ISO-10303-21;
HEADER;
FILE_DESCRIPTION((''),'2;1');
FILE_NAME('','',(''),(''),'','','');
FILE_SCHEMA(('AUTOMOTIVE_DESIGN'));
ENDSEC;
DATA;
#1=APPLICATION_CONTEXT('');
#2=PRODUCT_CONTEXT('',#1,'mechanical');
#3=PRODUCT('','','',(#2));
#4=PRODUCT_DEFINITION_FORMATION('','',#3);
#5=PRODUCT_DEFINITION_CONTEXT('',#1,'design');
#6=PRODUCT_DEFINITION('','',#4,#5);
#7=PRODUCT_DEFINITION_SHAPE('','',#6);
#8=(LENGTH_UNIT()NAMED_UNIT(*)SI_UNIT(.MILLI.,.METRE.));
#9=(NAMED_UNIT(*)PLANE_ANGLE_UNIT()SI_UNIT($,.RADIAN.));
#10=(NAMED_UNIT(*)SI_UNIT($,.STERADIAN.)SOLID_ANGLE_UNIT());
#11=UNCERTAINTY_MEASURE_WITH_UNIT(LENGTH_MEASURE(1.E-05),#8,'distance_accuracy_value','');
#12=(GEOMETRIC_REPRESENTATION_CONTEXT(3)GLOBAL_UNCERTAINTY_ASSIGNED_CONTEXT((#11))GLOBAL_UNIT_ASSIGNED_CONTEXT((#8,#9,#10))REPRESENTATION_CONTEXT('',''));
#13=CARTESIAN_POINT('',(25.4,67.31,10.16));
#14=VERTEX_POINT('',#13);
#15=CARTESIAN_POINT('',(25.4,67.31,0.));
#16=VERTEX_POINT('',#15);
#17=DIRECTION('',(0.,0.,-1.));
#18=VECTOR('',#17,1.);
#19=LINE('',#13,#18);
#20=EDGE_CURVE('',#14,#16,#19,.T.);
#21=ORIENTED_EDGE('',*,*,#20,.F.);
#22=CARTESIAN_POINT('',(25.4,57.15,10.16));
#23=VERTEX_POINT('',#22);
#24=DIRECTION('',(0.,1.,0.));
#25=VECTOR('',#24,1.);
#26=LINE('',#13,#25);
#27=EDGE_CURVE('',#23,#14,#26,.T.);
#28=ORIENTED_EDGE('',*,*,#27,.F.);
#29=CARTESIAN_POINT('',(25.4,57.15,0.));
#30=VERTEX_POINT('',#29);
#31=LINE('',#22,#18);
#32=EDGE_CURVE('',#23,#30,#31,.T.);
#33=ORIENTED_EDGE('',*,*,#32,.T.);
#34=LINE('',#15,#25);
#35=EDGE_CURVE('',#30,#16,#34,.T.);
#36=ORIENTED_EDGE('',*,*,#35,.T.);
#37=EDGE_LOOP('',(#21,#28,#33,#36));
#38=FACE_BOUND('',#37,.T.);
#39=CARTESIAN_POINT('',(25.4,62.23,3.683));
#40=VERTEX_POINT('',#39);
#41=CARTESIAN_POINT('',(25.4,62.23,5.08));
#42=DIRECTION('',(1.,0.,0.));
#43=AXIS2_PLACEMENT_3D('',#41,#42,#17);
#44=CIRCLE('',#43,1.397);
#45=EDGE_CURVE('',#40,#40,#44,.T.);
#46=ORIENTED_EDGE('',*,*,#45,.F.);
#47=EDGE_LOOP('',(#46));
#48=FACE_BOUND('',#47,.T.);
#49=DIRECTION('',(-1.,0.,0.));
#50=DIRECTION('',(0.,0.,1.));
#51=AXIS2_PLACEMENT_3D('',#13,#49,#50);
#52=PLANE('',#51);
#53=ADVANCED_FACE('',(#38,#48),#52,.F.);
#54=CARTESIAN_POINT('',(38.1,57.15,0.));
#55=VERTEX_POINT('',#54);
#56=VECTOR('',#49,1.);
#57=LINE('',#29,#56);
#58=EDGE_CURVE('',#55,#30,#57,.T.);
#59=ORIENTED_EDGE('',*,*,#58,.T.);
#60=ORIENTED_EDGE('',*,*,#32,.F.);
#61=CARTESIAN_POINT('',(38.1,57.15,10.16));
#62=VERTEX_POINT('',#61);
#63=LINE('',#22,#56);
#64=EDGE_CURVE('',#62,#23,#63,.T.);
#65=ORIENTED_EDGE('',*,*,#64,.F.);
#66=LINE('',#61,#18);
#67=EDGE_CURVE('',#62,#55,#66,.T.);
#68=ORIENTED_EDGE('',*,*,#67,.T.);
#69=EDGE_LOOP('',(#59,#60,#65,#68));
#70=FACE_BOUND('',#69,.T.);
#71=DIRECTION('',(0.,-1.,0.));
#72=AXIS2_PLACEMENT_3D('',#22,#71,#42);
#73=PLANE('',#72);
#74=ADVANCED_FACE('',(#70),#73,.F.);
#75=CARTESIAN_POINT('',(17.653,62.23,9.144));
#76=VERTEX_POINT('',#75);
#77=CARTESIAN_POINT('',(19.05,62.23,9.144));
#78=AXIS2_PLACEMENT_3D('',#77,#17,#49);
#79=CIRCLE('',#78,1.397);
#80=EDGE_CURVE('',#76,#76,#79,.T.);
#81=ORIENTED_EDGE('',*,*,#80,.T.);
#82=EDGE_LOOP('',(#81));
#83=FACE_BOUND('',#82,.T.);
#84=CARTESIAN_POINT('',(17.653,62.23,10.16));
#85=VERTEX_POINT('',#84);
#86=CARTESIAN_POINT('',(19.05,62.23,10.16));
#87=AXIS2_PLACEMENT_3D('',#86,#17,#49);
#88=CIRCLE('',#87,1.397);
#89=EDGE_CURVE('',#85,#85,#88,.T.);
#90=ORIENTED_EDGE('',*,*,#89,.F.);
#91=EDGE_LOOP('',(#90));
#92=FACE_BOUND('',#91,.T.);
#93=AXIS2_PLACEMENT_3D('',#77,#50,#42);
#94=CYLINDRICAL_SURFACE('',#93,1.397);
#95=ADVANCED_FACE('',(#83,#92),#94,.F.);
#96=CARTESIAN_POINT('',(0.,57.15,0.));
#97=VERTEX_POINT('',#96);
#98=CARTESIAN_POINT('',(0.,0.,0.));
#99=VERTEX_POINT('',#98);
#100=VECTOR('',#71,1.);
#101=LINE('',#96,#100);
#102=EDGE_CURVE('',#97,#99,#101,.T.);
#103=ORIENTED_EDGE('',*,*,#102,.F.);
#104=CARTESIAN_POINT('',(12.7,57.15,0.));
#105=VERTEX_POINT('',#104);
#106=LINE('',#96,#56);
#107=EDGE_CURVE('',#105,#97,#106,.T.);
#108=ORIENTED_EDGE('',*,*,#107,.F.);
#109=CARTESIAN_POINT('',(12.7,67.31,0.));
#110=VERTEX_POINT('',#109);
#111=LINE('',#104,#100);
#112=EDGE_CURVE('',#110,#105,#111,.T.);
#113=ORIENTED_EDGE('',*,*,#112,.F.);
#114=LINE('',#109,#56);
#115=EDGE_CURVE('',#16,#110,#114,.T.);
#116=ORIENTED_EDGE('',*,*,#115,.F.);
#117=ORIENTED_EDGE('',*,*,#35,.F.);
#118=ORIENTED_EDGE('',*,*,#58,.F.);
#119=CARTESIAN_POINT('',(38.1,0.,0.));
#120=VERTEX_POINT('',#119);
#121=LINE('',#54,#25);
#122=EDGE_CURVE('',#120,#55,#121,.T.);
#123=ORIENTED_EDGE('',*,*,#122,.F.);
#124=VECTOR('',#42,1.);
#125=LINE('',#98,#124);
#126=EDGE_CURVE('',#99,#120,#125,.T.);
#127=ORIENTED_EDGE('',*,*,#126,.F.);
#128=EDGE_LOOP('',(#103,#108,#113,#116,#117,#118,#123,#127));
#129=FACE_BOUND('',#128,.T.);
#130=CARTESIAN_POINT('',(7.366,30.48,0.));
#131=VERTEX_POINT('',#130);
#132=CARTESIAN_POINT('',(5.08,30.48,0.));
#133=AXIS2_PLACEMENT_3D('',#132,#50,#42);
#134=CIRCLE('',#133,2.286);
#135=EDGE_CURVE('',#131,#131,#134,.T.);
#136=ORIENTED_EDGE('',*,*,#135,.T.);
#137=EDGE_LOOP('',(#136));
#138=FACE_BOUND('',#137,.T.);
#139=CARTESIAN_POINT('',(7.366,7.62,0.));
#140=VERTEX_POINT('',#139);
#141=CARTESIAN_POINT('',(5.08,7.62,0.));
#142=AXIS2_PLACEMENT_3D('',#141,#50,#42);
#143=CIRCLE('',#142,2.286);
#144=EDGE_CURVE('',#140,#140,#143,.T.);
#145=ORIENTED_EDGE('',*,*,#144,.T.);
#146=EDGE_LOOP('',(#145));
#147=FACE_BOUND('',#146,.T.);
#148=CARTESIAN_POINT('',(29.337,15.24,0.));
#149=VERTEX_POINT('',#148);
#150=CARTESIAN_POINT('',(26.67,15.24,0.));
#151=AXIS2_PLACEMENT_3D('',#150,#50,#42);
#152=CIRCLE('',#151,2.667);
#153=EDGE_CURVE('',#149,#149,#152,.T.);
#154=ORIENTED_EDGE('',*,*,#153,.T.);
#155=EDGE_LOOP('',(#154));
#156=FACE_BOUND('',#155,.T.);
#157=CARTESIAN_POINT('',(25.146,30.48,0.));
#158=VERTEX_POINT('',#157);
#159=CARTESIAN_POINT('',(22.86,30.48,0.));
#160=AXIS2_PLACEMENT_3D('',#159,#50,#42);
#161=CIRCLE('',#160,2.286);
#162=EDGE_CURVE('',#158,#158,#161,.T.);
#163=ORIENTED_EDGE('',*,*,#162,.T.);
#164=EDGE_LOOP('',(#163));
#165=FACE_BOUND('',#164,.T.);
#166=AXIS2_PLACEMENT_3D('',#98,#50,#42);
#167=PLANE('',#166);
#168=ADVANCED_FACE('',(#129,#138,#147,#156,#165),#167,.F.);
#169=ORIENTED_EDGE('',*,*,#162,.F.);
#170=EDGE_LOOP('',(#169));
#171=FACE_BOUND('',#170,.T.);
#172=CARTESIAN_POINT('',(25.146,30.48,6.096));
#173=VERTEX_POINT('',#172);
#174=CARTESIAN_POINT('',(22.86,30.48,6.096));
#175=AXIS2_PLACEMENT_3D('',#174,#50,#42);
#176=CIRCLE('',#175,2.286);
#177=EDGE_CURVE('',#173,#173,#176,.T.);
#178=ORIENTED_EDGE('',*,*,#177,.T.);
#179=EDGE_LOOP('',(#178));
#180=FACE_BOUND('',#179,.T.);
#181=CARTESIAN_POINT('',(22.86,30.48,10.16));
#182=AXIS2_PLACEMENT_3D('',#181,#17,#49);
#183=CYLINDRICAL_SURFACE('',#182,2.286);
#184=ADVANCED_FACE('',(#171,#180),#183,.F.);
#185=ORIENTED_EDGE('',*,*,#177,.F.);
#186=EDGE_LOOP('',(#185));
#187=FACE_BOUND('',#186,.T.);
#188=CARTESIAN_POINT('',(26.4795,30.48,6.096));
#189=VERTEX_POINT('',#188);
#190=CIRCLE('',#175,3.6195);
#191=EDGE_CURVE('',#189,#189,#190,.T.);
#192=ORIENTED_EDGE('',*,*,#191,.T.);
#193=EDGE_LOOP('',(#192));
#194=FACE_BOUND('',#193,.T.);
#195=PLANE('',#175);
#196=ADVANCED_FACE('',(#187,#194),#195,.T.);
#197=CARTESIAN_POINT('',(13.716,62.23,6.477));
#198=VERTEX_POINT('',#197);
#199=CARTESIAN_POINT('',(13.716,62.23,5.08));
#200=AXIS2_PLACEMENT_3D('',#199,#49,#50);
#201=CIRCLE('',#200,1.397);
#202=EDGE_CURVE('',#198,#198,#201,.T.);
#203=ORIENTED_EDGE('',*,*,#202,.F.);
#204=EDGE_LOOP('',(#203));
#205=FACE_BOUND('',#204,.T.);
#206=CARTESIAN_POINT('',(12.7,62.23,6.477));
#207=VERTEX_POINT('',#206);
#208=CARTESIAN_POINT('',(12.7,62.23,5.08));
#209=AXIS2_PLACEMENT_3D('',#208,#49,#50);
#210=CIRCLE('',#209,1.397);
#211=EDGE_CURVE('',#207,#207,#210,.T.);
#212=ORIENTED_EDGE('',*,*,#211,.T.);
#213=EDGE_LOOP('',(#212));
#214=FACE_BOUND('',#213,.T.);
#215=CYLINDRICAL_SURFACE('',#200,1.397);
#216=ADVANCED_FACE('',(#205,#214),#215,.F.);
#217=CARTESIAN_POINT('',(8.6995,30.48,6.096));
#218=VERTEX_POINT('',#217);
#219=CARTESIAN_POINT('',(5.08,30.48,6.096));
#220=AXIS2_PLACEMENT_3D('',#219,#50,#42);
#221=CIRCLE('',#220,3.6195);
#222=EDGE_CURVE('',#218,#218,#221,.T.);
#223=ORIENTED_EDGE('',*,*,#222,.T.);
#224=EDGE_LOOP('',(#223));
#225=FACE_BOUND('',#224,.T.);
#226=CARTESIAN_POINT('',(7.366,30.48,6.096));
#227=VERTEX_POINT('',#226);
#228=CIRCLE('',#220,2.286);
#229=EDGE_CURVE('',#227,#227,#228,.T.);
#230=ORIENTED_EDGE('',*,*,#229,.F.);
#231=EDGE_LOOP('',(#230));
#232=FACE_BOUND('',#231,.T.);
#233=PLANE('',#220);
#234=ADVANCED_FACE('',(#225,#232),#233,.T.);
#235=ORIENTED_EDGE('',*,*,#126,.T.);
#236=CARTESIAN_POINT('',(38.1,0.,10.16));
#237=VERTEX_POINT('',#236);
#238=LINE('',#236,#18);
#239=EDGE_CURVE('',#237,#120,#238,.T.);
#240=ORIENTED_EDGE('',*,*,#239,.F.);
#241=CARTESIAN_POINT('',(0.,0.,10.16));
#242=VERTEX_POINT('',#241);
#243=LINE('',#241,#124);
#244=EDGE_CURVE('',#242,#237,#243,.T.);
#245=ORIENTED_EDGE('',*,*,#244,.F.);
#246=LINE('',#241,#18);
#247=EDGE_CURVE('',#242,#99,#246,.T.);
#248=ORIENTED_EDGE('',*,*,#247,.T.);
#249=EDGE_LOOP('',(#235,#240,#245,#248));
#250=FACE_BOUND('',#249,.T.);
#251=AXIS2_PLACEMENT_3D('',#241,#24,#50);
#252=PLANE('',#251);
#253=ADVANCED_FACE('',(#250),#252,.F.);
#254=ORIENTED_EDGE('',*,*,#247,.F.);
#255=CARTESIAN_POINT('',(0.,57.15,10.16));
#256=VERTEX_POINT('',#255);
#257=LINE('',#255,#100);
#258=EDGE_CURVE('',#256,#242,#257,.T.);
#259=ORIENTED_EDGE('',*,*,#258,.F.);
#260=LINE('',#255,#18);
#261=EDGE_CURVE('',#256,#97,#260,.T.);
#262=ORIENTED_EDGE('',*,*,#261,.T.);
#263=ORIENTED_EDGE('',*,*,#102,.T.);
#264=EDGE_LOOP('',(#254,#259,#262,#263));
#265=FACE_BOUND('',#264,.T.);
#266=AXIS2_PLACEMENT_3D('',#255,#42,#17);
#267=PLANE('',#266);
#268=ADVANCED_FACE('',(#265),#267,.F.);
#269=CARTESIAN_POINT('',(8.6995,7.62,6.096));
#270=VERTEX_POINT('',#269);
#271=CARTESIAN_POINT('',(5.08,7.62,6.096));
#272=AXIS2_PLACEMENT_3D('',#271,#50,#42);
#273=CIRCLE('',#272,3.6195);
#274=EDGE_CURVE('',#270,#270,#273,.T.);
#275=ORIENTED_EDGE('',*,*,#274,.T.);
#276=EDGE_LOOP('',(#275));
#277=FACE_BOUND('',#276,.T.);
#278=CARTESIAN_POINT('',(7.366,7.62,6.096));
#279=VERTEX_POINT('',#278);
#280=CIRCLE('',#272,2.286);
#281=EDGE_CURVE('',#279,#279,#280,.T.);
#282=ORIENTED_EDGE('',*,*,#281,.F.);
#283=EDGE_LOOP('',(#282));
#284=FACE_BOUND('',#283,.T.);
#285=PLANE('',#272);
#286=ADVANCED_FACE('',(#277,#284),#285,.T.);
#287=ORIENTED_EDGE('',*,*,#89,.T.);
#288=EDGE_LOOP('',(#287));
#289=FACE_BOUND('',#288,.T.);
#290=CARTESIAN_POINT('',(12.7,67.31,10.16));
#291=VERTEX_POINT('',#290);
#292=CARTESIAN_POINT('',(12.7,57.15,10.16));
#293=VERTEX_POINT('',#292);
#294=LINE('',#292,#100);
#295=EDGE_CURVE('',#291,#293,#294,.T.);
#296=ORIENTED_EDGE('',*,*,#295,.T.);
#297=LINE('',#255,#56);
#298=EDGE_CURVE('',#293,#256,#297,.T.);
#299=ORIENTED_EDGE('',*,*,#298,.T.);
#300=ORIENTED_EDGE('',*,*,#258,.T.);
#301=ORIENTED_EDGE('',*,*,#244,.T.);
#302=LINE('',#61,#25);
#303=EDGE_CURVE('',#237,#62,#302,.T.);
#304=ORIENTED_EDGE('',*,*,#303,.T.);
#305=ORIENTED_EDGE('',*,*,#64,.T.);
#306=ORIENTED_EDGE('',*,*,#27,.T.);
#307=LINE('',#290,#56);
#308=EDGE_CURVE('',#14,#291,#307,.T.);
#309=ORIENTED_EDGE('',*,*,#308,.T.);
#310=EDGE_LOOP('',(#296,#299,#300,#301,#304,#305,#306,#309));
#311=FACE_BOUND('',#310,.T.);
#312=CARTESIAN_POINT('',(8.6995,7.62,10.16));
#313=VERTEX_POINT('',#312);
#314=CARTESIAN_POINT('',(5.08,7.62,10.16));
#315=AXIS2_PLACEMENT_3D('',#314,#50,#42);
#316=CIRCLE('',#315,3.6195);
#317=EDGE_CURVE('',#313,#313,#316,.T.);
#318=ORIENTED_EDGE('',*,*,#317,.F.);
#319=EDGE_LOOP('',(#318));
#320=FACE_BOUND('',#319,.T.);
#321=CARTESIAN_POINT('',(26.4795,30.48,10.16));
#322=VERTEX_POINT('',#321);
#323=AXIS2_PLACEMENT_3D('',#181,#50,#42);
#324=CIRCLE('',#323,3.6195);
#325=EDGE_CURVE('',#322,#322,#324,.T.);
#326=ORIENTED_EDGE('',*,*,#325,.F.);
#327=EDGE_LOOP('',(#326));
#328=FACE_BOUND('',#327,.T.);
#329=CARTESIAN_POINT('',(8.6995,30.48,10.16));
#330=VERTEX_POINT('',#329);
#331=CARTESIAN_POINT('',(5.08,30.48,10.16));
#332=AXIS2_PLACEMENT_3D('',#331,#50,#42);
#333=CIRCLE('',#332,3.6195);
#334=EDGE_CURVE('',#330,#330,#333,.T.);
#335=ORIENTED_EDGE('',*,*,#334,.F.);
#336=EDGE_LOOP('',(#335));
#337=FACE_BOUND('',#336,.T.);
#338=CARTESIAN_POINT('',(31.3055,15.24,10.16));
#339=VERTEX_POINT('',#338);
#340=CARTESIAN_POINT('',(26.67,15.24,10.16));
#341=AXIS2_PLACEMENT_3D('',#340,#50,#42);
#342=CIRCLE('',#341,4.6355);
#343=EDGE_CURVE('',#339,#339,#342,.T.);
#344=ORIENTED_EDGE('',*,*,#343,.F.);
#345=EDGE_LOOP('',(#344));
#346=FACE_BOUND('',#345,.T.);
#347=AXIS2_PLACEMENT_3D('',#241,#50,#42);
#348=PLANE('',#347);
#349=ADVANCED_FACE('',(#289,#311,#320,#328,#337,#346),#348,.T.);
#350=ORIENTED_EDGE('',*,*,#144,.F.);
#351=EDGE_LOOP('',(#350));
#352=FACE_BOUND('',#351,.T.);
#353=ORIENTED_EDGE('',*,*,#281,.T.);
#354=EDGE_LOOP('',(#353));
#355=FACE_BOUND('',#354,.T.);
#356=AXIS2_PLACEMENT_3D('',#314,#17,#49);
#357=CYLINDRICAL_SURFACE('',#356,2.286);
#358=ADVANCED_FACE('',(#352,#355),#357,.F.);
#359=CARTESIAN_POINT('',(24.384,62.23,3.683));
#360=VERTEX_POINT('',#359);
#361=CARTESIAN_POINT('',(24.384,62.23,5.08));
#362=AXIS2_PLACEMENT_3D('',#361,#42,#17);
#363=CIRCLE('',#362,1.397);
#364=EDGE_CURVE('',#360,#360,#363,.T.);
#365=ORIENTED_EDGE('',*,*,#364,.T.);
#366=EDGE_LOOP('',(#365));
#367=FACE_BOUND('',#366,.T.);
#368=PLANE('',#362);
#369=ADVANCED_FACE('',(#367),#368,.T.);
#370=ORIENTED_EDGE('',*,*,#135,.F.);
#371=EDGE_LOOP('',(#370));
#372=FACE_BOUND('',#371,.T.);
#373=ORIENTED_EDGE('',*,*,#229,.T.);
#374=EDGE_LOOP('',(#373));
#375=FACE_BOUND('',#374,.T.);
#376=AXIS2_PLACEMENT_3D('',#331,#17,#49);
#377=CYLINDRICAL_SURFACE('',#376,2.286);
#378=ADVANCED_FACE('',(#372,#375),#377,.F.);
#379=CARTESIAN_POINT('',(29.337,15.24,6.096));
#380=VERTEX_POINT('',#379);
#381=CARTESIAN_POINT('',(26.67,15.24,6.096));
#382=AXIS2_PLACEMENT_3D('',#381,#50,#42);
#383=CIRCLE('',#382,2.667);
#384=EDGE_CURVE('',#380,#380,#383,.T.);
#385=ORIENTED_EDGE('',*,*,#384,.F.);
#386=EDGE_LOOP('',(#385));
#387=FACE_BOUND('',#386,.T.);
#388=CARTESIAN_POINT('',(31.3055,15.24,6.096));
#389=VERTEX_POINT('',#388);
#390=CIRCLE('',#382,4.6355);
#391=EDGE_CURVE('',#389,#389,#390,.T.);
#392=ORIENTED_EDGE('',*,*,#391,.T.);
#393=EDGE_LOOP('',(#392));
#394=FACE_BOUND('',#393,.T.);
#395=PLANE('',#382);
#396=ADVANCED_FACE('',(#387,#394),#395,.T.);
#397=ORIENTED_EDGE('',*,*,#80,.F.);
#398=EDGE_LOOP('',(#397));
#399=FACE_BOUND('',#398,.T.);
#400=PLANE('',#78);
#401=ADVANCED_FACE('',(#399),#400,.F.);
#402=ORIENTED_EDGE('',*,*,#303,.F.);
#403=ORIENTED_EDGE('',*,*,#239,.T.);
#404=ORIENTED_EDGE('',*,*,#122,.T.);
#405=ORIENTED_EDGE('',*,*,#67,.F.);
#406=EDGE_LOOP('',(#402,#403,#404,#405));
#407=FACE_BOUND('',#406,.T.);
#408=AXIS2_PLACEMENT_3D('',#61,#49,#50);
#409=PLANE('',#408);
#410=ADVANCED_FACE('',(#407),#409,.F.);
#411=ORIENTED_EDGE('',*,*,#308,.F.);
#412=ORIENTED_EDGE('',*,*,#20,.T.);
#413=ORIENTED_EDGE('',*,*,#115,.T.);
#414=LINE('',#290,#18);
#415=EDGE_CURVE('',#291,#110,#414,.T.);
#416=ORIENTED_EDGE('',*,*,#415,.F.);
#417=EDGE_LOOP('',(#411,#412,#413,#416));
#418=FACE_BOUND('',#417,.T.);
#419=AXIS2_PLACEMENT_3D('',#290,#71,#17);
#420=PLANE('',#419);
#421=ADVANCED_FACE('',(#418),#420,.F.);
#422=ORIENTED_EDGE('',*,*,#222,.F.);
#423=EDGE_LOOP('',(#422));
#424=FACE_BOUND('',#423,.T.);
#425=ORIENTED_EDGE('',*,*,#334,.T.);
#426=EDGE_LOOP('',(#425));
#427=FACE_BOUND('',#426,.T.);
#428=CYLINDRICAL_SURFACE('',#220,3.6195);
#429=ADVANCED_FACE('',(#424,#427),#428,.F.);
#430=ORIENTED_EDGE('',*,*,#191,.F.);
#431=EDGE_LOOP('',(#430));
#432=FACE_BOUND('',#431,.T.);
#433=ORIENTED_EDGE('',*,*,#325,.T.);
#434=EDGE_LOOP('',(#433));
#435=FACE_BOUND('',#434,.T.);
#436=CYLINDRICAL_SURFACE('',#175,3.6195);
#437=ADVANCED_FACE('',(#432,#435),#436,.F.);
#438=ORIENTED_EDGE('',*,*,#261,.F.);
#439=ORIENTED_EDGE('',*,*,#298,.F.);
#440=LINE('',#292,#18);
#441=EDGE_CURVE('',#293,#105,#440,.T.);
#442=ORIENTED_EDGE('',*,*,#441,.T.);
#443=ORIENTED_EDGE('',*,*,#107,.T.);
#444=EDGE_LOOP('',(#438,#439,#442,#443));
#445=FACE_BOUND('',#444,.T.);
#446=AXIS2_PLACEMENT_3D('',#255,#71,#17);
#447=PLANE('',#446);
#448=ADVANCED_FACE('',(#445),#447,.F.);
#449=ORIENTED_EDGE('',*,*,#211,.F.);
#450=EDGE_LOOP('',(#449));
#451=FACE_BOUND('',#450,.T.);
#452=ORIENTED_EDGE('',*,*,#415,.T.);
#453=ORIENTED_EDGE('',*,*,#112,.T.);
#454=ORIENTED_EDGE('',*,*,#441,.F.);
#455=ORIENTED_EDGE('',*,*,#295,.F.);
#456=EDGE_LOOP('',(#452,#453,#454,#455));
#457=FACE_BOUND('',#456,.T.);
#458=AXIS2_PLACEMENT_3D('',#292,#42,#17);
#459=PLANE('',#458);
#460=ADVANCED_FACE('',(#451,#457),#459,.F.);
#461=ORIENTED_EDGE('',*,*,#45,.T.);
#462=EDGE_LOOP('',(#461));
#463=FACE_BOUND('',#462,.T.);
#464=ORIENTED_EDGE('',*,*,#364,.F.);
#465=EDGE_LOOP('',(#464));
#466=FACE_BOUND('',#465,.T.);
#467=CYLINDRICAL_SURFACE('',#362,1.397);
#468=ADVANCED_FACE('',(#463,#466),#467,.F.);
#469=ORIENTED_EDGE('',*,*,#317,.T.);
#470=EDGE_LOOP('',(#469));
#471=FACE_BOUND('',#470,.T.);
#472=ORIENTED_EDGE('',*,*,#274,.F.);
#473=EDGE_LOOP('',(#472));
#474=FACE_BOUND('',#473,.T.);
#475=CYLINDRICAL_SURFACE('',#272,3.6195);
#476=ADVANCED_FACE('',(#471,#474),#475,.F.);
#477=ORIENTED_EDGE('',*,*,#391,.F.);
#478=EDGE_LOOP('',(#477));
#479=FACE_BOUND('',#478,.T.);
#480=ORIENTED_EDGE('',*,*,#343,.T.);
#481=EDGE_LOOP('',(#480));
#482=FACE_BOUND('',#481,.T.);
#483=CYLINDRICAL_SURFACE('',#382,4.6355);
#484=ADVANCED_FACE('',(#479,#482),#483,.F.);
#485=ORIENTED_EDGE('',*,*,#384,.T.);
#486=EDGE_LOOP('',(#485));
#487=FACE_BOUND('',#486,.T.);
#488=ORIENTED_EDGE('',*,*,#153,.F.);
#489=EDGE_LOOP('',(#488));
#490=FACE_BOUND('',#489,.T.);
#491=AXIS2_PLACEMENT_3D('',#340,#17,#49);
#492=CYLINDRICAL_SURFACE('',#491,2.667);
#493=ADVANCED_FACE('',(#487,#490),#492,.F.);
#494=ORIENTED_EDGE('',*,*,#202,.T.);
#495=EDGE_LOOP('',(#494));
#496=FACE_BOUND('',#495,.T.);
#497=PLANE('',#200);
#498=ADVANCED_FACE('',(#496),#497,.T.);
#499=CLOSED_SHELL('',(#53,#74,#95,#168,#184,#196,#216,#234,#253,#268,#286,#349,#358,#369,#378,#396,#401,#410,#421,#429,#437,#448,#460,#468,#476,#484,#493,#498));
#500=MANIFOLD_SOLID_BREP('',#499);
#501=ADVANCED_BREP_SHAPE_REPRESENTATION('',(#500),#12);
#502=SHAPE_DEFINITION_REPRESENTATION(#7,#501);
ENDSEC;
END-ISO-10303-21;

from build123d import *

# Parameters (mm, degrees)
SKETCH1_R           = 2.286
SKETCH1_R_2         = 2.667
BOSS_EXTRUDE1_DEPTH = 10.16
SKETCH7_R           = 3.6195
SKETCH7_R_2         = 4.6355
CUT_EXTRUDE1_DEPTH  = 4.064
SKETCH3_R           = 1.397
CUT_EXTRUDE2_DEPTH  = 1.016
SKETCH8_R           = 1.397
CUT_EXTRUDE3_DEPTH  = 1.016
CUT_EXTRUDE4_START  = -1.016
SKETCH9_R           = 1.397
CUT_EXTRUDE4_DEPTH  = 1.016


with BuildPart() as part:
    # Sketch1 → Boss-Extrude1 (new body)
    with BuildSketch(Plane.XY):
        Polygon((0, 57.15), (12.7, 57.15), (12.7, 67.31), (25.4, 67.31), (25.4, 57.15), (38.1, 57.15), (38.1, 0), (0, 0), align=None)
        with Locations((5.08, 7.62)):
            Circle(SKETCH1_R, mode=Mode.SUBTRACT)
        with Locations((5.08, 30.48)):
            Circle(SKETCH1_R, mode=Mode.SUBTRACT)
        with Locations((26.67, 15.24)):
            Circle(SKETCH1_R_2, mode=Mode.SUBTRACT)
        with Locations((22.86, 30.48)):
            Circle(SKETCH1_R, mode=Mode.SUBTRACT)
    extrude(amount=BOSS_EXTRUDE1_DEPTH)

    # Sketch7 → Cut-Extrude1 (cut)
    with BuildSketch(Plane.XY.offset(10.16)):
        with Locations((5.08, 30.48)):
            Circle(SKETCH7_R)
        with Locations((22.86, 30.48)):
            Circle(SKETCH7_R)
        with Locations((5.08, 7.62)):
            Circle(SKETCH7_R)
        with Locations((26.67, 15.24)):
            Circle(SKETCH7_R_2)
    extrude(amount=-CUT_EXTRUDE1_DEPTH, mode=Mode.SUBTRACT)

    # Sketch3 → Cut-Extrude2 (cut)
    with BuildSketch(Plane(origin=(0, 0, 10.16), x_dir=(-1, 0, 0), z_dir=(0, 0, -1))):
        with Locations((-19.05, 62.23)):
            Circle(SKETCH3_R)
    extrude(amount=CUT_EXTRUDE2_DEPTH, mode=Mode.SUBTRACT)

    # Sketch8 → Cut-Extrude3 (cut)
    with BuildSketch(Plane(origin=(25.4, 0, 0), x_dir=(0, 0, -1), z_dir=(1, 0, 0))):
        with Locations((-5.08, 62.23)):
            Circle(SKETCH8_R)
    extrude(amount=-CUT_EXTRUDE3_DEPTH, mode=Mode.SUBTRACT)

    # Sketch9 → Cut-Extrude4 (cut)
    with BuildSketch(Plane.ZY.offset(-12.7).offset(CUT_EXTRUDE4_START)):
        with Locations(Location((5.08, 62.23, 0), (0, 0, 180))):
            Circle(SKETCH9_R)
    extrude(amount=CUT_EXTRUDE4_DEPTH, mode=Mode.SUBTRACT)


solid = part.part
